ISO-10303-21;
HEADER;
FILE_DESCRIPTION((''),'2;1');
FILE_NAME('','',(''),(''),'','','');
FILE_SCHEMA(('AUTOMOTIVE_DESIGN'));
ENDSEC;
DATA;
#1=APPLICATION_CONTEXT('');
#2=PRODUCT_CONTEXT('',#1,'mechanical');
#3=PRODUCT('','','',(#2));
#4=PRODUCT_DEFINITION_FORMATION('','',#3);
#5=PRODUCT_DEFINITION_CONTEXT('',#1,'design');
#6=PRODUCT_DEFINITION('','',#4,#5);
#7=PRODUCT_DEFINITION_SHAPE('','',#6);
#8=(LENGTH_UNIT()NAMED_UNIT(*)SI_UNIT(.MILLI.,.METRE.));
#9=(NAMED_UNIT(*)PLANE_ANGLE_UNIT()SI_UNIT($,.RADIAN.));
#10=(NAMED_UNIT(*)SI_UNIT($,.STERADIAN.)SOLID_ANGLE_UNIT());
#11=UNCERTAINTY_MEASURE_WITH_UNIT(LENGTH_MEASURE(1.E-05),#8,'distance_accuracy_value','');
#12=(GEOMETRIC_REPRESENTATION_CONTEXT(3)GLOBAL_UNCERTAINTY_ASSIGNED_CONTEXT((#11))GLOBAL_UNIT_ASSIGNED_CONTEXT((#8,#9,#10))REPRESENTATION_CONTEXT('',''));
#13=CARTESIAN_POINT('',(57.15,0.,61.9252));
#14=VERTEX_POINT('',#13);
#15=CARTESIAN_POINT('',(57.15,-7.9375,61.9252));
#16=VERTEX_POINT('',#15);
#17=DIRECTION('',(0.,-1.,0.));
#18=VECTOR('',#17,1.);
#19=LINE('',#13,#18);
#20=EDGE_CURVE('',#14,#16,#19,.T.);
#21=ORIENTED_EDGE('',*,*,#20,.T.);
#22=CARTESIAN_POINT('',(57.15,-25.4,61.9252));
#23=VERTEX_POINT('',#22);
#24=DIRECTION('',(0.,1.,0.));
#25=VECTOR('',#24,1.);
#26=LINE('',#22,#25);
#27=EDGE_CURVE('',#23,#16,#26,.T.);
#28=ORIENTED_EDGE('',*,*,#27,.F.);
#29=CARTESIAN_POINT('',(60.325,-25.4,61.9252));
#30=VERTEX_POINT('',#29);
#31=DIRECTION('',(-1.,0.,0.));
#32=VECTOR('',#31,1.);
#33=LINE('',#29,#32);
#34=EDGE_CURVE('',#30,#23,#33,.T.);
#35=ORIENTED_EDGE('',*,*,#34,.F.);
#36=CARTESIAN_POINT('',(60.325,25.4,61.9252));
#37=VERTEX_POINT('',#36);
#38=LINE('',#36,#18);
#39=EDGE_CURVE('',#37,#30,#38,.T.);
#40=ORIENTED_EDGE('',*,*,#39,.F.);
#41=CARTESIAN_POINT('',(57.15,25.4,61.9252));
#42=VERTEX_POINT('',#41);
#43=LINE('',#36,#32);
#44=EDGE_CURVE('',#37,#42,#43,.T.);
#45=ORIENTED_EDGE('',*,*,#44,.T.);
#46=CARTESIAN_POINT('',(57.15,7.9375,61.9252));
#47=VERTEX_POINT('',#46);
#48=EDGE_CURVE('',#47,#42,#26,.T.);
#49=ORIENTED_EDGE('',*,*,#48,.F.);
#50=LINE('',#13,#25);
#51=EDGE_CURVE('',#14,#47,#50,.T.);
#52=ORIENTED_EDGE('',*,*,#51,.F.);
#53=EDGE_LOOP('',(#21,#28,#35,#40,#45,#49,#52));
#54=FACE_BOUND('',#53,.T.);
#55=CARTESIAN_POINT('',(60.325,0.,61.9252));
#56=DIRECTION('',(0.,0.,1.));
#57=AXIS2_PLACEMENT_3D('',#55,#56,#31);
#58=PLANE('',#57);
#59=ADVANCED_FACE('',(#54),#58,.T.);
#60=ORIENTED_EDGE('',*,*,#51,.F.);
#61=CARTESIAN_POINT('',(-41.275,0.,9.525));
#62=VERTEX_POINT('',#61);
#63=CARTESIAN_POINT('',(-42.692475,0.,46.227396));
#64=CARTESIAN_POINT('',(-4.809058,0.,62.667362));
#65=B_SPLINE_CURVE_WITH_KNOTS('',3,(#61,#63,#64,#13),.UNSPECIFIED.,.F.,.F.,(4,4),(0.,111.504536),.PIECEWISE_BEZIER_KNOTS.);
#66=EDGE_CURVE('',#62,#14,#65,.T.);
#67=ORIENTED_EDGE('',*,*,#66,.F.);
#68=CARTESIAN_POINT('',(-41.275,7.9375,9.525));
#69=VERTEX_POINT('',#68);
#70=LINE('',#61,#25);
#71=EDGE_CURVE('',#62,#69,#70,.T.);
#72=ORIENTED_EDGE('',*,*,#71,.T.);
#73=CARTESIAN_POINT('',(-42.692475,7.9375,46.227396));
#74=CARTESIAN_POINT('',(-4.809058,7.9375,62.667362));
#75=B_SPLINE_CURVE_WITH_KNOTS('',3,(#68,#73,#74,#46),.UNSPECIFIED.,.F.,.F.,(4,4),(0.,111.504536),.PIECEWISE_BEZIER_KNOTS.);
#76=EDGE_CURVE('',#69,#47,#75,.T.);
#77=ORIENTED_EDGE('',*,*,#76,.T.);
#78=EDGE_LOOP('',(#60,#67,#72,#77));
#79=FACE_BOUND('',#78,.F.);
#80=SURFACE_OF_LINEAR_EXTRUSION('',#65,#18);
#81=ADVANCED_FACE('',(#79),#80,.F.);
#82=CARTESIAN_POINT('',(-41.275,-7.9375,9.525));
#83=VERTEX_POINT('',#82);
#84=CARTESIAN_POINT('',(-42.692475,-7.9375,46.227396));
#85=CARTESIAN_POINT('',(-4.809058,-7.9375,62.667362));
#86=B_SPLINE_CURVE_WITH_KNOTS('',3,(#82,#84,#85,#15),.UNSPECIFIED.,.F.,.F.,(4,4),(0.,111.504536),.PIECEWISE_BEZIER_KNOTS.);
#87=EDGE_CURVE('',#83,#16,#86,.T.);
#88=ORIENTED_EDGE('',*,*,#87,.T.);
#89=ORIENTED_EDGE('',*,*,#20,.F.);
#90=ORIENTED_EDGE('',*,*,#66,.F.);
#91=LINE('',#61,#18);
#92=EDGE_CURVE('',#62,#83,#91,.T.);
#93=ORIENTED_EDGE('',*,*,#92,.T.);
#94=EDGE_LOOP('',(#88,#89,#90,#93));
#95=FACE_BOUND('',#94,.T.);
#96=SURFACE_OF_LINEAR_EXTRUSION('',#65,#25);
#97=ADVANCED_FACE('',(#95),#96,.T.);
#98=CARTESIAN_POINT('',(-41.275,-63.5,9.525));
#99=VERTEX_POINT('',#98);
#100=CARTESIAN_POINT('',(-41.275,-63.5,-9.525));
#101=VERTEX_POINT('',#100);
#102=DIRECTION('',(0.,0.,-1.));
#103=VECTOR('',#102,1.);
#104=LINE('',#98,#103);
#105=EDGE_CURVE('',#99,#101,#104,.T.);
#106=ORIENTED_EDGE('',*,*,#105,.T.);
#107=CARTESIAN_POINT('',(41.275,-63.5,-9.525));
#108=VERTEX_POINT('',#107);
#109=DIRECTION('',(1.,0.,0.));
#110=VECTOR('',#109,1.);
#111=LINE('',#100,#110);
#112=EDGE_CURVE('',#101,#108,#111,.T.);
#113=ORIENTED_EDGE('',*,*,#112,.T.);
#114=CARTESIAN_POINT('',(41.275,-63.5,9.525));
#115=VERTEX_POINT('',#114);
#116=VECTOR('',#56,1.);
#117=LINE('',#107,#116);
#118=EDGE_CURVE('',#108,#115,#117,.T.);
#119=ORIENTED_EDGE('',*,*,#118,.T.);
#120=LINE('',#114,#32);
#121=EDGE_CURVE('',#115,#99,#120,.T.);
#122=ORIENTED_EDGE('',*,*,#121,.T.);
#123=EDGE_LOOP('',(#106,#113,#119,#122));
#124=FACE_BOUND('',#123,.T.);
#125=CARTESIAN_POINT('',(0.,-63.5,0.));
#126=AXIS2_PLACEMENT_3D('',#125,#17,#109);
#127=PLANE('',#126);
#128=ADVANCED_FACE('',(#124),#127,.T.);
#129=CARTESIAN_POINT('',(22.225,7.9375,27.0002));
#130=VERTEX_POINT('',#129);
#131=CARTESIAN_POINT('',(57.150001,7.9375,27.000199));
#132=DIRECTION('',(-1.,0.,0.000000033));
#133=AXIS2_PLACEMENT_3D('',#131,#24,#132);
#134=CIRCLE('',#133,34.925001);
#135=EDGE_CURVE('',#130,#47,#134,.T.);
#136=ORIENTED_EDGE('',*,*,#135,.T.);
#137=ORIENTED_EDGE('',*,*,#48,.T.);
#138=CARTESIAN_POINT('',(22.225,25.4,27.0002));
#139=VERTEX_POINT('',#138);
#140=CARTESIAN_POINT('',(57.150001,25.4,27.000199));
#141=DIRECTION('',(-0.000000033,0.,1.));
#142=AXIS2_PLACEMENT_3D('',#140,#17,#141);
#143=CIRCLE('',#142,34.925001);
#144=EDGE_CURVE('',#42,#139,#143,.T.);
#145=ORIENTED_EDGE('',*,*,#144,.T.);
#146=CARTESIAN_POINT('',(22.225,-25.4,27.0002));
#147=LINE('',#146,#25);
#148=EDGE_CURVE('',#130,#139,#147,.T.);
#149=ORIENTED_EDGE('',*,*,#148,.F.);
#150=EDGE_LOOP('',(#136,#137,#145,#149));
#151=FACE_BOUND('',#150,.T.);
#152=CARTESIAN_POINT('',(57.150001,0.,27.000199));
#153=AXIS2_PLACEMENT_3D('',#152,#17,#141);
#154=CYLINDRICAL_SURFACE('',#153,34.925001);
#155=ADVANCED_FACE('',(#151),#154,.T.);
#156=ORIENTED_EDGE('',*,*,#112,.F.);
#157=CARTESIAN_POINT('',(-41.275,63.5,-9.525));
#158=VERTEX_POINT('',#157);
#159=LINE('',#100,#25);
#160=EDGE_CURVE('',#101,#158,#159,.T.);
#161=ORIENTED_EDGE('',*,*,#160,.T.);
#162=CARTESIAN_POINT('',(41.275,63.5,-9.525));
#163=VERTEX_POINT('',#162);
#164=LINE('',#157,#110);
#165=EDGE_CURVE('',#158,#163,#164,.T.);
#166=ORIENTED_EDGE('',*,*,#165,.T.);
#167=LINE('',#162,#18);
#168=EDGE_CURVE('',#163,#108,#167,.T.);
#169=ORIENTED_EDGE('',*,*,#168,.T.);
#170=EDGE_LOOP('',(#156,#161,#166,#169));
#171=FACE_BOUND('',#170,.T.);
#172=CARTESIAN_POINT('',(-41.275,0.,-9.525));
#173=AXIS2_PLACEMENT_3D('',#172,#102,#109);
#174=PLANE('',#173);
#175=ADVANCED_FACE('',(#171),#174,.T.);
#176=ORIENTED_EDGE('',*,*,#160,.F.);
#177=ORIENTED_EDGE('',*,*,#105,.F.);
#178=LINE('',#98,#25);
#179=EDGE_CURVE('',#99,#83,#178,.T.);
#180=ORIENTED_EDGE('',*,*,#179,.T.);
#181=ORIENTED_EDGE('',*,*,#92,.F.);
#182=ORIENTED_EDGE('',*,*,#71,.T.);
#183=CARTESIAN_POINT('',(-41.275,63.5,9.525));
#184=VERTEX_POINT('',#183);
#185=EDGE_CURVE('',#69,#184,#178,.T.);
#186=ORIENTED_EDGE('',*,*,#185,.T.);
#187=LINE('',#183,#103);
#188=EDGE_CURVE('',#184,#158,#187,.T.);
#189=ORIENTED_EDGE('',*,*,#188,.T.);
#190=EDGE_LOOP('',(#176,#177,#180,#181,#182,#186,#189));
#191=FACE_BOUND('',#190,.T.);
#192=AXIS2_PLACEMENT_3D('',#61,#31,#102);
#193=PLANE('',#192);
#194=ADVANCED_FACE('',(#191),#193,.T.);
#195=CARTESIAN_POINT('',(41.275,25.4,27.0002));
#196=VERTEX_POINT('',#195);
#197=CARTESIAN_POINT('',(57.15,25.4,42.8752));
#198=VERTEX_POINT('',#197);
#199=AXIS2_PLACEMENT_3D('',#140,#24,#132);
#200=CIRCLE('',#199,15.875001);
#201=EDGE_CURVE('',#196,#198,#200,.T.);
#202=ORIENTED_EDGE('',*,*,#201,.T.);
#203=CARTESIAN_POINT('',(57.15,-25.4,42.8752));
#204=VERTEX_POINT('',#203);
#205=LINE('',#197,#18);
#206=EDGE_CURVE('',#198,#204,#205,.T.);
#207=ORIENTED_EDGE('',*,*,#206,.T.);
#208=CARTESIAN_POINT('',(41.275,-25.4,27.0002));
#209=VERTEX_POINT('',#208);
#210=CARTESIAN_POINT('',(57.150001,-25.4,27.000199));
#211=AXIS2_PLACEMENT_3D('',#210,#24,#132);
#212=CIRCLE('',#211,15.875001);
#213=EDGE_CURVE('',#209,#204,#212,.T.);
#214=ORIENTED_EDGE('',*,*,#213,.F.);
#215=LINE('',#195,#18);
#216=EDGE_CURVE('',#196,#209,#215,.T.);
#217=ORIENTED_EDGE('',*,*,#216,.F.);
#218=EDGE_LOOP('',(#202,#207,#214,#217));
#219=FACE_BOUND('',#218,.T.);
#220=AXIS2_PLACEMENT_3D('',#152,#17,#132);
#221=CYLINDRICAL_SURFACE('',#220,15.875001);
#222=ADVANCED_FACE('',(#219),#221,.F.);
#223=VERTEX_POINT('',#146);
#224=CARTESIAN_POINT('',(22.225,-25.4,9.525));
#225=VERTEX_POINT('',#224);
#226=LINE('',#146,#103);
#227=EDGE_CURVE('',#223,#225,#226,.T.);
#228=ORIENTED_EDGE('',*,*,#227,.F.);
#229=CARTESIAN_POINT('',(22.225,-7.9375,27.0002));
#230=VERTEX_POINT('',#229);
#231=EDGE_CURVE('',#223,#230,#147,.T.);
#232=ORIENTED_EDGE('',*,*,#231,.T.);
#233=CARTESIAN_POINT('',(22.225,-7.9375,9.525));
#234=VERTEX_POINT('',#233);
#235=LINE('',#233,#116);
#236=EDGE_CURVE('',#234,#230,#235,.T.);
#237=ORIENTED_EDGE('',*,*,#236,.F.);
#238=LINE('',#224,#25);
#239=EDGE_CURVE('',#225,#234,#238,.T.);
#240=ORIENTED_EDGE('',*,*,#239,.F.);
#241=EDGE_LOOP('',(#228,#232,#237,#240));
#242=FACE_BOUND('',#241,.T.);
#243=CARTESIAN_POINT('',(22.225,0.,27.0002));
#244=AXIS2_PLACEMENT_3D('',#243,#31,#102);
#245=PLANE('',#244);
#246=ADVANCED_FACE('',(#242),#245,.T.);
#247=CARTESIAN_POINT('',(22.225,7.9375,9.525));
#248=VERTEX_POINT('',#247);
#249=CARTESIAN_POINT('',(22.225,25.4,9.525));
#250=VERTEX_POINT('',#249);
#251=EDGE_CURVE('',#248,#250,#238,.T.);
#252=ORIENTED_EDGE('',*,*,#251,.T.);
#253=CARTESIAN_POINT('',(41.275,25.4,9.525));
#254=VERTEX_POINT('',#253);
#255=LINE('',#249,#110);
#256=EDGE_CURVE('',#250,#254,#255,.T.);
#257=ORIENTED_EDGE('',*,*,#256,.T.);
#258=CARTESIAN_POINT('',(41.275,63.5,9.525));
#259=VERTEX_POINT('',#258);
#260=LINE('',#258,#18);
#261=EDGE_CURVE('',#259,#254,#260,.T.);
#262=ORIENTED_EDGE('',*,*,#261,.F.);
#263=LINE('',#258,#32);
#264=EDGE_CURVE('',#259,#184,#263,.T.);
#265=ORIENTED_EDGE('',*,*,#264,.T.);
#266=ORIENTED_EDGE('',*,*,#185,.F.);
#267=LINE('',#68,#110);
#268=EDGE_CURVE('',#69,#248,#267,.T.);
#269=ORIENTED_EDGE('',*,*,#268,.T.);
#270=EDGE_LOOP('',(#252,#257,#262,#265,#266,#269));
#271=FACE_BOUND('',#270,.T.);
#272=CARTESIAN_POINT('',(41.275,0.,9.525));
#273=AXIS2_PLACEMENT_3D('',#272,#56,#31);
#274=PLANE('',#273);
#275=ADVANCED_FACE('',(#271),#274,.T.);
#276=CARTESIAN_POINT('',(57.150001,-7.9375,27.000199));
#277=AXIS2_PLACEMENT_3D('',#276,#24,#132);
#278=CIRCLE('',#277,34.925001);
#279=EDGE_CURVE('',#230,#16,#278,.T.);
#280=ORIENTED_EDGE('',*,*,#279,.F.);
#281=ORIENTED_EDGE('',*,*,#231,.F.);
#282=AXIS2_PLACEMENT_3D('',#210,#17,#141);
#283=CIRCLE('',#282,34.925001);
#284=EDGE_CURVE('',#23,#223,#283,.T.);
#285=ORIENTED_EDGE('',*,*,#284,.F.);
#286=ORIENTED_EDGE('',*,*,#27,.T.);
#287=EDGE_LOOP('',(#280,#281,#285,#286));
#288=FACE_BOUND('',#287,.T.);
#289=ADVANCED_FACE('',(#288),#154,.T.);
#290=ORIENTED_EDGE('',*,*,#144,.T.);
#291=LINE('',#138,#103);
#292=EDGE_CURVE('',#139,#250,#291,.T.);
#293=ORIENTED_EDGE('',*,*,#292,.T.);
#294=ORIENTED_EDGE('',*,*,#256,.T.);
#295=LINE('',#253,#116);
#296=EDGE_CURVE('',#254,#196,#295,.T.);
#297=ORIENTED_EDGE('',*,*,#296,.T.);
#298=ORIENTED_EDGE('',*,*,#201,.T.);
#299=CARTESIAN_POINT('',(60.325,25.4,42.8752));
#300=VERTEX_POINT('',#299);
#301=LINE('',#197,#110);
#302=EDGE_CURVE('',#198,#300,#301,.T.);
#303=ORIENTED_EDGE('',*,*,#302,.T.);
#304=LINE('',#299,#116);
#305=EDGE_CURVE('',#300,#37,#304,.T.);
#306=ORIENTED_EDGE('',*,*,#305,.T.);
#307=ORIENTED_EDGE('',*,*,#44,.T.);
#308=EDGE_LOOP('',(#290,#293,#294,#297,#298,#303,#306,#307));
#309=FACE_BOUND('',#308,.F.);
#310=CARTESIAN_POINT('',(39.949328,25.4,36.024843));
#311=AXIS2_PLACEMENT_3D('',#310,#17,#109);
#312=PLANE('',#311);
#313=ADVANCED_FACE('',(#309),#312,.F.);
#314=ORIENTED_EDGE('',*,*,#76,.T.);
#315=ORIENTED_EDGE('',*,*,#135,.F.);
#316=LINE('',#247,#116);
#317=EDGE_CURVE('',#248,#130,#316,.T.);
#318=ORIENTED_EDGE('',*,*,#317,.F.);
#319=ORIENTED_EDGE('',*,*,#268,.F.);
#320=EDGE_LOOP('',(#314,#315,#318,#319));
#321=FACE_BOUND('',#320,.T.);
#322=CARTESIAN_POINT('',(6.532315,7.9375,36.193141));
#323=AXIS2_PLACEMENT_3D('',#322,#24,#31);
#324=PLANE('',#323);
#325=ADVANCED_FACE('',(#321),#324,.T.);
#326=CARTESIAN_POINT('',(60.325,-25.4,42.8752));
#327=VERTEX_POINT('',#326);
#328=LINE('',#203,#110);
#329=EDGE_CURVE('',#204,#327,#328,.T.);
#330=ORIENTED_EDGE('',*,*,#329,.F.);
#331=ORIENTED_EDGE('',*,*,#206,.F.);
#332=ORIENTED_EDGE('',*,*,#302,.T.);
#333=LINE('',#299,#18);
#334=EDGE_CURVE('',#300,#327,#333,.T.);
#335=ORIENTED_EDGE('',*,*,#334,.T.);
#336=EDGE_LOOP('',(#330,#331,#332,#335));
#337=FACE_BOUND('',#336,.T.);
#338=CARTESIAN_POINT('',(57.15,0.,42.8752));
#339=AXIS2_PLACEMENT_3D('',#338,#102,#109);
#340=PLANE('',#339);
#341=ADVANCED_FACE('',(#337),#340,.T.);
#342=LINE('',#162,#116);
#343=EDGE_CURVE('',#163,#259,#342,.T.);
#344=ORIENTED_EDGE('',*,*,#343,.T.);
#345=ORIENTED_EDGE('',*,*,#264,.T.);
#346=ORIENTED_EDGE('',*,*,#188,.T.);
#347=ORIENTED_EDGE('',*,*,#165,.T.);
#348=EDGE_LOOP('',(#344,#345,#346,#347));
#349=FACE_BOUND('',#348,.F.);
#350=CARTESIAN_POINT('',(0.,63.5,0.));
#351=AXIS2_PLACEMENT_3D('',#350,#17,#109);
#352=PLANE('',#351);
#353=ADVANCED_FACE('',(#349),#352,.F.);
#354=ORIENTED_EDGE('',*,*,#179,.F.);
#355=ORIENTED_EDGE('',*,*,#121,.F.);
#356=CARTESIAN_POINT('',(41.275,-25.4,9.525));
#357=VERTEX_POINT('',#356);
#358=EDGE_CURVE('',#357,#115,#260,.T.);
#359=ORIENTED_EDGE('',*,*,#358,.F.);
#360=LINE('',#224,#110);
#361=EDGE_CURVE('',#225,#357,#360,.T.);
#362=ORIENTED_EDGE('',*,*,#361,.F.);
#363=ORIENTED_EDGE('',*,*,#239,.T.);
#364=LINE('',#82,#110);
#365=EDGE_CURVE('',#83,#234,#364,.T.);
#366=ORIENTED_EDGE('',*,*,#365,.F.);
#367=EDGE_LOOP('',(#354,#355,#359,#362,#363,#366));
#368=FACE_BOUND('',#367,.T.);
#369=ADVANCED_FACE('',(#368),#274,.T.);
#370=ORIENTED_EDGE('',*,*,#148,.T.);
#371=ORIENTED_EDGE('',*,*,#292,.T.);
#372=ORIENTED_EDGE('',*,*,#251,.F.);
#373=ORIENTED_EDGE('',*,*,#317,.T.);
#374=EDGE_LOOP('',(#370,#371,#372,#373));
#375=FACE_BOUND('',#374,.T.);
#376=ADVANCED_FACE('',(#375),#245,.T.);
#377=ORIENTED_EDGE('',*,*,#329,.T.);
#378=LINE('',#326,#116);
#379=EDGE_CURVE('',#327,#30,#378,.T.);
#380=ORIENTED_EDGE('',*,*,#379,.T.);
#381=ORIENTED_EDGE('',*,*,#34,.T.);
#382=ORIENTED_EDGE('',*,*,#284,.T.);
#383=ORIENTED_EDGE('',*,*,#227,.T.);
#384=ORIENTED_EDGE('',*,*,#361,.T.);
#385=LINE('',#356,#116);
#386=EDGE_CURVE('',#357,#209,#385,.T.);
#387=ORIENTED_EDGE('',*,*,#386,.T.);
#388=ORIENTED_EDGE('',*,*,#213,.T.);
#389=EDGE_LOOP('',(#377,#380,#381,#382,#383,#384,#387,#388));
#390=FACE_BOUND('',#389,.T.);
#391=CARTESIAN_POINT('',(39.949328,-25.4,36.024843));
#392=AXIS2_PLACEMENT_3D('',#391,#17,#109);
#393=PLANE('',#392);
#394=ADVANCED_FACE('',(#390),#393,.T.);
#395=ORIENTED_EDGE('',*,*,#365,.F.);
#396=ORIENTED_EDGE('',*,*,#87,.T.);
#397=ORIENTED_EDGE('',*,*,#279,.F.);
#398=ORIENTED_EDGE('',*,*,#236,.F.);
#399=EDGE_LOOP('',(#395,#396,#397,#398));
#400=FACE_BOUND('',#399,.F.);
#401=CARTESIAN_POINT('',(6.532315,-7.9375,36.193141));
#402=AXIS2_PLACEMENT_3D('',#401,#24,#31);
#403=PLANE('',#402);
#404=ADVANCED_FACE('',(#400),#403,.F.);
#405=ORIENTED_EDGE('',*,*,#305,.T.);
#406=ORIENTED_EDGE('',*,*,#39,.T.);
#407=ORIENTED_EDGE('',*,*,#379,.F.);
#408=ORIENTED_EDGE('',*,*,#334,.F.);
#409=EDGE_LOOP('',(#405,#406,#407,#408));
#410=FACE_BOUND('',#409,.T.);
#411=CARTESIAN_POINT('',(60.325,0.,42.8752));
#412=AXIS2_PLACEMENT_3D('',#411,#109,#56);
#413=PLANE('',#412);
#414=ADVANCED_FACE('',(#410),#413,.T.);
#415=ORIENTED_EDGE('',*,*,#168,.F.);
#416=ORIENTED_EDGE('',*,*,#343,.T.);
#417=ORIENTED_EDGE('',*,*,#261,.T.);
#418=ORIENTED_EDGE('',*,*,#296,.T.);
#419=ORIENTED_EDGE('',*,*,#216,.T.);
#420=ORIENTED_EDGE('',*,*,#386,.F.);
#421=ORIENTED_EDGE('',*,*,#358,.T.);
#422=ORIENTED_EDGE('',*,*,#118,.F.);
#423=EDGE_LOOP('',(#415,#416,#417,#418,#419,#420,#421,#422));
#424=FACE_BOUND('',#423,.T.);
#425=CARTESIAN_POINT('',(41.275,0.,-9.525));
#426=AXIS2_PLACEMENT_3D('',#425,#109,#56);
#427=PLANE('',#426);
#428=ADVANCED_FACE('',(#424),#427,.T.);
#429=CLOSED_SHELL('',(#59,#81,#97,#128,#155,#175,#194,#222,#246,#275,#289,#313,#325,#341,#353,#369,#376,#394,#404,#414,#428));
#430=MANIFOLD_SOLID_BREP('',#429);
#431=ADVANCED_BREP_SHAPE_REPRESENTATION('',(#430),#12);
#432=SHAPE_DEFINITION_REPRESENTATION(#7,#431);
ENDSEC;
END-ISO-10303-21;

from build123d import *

# Parameters (mm, degrees)
F1_DEPTH = 63.5
F2_DEPTH = 25.4
F3_DEPTH = 7.9375


with BuildPart() as f1:
    # F0 (on Front) → F1 (new body, symmetric)
    with BuildSketch(Plane.XZ):
        Polygon((-41.275, -9.525), (41.275, -9.525), (41.275, 9.525), (22.225, 9.525), (-41.275, 9.525), align=None)
    extrude(amount=F1_DEPTH, both=True)

    # F0 (on Front) → F2 (join, symmetric)
    with BuildSketch(Plane.XZ):
        with BuildLine():
            Line((22.225, 9.525), (41.275, 9.525))
            Line((41.275, 9.525), (41.275, 27.0002))
            ThreePointArc((41.275, 27.0002), (45.92468, 38.22552), (57.15, 42.8752))
            Line((57.15, 42.8752), (60.325, 42.8752))
            Line((60.325, 42.8752), (60.325, 61.9252))
            Line((60.325, 61.9252), (57.15, 61.9252))
            ThreePointArc((57.15, 61.9252), (32.454296, 51.695904), (22.225, 27.0002))
            Line((22.225, 27.0002), (22.225, 9.525))
        make_face()
    extrude(amount=F2_DEPTH, both=True)

    # F0 (on Front) → F3 (join, symmetric)
    with BuildSketch(Plane.XZ):
        with BuildLine():
            add(Edge.make_bspline(
                [(-41.275, 9.525), (-42.692475, 46.227396), (-4.809058, 62.667362), (57.15, 61.9252)],
                knots=[0, 0, 0, 0, 111.504536, 111.504536, 111.504536, 111.504536], degree=3))
            Line((-41.275, 9.525), (22.225, 9.525))
            Line((22.225, 9.525), (22.225, 27.0002))
            ThreePointArc((22.225, 27.0002), (32.454296, 51.695904), (57.15, 61.9252))
        make_face()
    extrude(amount=F3_DEPTH, both=True)


solid = f1.part
